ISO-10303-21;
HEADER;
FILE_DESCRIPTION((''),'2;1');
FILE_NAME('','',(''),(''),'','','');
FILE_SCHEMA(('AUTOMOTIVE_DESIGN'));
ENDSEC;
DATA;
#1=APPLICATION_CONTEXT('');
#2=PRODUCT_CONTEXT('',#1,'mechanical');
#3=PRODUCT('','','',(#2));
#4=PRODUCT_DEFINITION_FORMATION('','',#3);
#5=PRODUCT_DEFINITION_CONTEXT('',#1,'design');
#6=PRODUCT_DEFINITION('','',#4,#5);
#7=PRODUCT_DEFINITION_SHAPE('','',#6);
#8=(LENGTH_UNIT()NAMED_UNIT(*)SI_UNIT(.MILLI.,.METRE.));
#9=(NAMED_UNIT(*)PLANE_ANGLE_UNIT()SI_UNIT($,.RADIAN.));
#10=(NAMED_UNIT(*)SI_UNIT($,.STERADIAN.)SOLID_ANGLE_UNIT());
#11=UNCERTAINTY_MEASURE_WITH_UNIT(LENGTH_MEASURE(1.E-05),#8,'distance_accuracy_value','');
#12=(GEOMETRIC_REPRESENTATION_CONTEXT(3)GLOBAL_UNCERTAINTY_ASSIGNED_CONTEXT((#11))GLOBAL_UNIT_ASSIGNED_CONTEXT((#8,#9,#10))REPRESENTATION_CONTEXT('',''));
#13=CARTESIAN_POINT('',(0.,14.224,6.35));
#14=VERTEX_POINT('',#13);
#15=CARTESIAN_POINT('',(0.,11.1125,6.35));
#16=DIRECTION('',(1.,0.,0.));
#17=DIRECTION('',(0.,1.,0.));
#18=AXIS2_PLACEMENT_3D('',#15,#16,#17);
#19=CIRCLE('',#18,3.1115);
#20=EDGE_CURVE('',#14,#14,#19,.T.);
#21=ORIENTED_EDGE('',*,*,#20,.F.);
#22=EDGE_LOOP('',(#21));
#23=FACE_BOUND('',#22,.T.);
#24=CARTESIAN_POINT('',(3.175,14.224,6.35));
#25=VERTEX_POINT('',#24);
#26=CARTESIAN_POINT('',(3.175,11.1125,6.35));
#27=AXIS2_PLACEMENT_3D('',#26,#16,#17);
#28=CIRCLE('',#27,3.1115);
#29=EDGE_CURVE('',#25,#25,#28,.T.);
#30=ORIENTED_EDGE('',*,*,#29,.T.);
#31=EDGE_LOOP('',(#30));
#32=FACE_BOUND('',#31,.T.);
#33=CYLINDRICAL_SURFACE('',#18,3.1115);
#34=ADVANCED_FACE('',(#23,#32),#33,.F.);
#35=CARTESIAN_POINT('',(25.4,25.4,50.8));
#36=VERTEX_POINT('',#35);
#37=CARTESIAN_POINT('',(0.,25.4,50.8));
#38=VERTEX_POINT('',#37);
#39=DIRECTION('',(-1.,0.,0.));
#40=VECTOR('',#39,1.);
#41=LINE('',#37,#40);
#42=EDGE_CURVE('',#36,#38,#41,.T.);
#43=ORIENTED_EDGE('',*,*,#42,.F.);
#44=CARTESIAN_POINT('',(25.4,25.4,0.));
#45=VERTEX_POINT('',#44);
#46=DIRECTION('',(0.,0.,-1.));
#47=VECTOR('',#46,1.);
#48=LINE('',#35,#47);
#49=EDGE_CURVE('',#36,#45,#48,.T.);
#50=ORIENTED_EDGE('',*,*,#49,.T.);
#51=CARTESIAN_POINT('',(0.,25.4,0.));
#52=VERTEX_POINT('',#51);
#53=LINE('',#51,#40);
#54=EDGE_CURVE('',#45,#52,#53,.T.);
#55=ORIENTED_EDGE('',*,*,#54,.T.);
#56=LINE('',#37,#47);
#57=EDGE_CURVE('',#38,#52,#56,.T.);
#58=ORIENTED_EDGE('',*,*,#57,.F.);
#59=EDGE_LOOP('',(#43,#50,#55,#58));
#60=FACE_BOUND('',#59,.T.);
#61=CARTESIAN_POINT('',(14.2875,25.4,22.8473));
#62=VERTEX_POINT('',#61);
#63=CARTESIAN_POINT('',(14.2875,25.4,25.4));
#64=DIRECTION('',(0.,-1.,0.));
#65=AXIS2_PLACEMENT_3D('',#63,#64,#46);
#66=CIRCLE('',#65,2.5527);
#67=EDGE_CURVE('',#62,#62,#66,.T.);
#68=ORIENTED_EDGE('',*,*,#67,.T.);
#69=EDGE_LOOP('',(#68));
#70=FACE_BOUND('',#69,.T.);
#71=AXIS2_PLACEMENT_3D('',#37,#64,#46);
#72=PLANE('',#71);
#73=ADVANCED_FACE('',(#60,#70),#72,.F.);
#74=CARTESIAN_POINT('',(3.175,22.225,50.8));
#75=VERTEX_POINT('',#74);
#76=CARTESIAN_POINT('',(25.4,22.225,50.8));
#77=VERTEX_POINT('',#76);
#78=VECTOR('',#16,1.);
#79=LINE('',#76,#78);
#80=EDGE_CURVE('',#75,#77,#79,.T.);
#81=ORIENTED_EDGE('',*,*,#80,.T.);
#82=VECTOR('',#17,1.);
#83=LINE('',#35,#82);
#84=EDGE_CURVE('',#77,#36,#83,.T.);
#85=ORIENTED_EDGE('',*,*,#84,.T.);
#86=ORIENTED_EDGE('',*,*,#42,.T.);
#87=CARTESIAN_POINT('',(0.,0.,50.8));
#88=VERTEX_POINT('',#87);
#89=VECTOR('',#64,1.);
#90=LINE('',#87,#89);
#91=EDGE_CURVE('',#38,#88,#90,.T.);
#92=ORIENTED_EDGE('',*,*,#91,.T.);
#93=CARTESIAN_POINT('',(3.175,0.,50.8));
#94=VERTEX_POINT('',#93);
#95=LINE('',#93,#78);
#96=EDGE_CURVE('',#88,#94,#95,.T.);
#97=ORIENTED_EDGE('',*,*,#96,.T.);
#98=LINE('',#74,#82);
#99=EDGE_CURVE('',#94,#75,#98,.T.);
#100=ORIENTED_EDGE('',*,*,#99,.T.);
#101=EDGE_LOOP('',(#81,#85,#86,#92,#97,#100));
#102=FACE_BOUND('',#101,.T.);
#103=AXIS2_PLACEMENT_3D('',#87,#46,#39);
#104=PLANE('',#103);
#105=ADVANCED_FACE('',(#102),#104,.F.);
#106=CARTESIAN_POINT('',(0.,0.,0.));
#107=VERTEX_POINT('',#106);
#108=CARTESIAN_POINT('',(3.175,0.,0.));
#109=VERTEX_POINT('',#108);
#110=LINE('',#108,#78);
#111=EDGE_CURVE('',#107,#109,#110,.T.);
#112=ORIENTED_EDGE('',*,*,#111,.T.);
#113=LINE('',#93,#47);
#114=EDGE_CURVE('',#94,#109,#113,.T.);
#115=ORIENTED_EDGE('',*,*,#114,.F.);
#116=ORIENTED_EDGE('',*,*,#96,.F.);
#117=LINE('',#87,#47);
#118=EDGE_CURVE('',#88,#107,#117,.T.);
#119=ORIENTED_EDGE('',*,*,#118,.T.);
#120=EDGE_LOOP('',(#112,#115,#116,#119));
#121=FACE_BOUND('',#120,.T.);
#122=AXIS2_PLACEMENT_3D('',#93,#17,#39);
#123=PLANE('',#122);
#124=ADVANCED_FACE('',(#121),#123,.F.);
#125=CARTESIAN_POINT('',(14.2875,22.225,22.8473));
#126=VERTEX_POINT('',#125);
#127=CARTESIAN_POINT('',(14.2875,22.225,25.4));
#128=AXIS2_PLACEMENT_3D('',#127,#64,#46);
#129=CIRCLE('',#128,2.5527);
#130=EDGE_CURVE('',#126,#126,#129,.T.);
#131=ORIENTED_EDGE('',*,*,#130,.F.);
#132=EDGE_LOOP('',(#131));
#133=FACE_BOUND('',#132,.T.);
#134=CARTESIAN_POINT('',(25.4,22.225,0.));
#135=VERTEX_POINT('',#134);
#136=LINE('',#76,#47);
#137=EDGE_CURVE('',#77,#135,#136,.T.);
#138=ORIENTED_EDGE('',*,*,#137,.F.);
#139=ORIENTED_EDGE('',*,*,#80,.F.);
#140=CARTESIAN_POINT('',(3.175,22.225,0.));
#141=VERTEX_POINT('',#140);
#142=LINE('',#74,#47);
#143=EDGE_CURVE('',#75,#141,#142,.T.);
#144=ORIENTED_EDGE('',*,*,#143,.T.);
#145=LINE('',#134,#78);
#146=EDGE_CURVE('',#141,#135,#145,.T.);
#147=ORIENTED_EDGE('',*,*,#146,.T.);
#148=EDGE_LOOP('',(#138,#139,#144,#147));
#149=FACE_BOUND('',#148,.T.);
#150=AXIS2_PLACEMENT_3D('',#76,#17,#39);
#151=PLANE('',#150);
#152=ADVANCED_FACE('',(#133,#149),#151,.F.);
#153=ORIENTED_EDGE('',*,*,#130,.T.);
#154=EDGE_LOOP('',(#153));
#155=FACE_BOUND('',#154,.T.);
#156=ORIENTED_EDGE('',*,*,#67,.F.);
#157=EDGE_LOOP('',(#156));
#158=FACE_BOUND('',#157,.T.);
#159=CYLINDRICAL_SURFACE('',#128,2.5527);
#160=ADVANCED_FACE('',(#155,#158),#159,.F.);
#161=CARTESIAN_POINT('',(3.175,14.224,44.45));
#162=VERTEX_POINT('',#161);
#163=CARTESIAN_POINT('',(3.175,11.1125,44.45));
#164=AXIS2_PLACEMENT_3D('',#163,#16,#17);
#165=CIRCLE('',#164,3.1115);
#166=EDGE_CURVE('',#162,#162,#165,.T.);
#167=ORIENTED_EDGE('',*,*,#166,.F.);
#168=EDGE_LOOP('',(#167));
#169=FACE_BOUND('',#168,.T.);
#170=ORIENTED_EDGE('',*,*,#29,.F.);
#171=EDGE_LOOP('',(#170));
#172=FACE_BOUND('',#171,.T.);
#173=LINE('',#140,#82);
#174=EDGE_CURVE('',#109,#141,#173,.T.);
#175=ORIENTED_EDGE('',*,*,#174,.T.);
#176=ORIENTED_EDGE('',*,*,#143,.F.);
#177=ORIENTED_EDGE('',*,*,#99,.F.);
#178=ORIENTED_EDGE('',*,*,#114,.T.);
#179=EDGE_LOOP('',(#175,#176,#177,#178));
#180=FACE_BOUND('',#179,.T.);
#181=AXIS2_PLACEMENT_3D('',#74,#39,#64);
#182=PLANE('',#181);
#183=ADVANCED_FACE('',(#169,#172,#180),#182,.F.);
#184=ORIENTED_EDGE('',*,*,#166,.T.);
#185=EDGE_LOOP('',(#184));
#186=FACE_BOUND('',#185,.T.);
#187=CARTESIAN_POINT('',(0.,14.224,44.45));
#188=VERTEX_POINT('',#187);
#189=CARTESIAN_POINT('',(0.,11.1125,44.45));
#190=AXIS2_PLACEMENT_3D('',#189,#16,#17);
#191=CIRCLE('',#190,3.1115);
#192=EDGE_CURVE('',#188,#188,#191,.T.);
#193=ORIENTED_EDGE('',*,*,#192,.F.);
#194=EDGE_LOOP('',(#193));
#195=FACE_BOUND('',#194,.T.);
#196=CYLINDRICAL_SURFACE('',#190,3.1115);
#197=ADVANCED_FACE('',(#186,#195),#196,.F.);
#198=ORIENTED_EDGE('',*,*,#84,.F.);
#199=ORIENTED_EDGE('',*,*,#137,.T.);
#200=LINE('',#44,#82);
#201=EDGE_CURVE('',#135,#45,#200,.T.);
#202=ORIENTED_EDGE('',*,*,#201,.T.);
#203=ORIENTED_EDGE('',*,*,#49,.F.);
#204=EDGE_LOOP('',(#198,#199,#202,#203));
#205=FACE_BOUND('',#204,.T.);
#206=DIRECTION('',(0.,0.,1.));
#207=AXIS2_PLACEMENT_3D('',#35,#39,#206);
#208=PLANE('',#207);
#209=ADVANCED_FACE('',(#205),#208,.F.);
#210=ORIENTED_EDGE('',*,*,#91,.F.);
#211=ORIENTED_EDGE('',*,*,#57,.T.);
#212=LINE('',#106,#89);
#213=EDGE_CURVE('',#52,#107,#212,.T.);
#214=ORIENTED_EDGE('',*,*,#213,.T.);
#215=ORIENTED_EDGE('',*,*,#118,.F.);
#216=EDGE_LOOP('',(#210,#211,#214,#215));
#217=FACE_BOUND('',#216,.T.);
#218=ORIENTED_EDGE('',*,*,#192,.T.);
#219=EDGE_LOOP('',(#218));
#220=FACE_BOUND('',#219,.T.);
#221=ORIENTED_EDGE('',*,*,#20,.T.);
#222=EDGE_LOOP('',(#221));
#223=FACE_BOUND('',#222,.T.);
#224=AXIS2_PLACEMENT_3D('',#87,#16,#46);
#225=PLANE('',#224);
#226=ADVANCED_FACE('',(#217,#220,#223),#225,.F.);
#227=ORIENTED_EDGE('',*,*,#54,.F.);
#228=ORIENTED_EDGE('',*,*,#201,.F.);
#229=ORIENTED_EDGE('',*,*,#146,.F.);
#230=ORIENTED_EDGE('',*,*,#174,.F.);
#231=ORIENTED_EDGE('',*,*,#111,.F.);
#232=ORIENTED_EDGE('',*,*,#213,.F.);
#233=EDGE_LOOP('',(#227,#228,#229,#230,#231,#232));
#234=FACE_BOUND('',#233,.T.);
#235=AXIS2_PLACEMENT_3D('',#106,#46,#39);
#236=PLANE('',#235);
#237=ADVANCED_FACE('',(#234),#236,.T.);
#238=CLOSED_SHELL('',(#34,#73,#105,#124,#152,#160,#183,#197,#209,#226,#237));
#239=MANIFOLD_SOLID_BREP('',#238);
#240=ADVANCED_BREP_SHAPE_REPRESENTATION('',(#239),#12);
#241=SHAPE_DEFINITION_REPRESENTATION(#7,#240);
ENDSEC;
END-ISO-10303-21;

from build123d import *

# Parameters (mm, degrees)
BOSS_EXTRUDE1_DEPTH    = 50.8
SKETCH6_R              = 3.1115
CUT_EXTRUDE1_DEPTH     = 4.175
F_10_CLEARANCE_HOLE2_D = 5.1054


with BuildPart() as part:
    # Sketch3 → Boss-Extrude1 (new body)
    with BuildSketch(Plane.XY):
        Polygon((0, 0), (0, 25.4), (25.4, 25.4), (25.4, 22.225), (3.175, 22.225), (3.175, 0), align=None)
    extrude(amount=BOSS_EXTRUDE1_DEPTH)

    # Sketch6 → Cut-Extrude1 (cut, through all)
    with BuildSketch(Plane(origin=(3.175, 0, 0), x_dir=(0, 0, -1), z_dir=(1, 0, 0))):
        with Locations((-44.45, 11.1125)):
            Circle(SKETCH6_R)
        with Locations((-6.35, 11.1125)):
            Circle(SKETCH6_R)
    extrude(amount=-CUT_EXTRUDE1_DEPTH, mode=Mode.SUBTRACT)

    # #10 Clearance Hole2 (through all)
    with Locations(Plane(origin=(0, 22.225, 0), x_dir=(-1, 0, 0), z_dir=(0, -1, 0))):
        with Locations((-14.2875, -25.4)):
            Hole(F_10_CLEARANCE_HOLE2_D / 2)


solid = part.part
